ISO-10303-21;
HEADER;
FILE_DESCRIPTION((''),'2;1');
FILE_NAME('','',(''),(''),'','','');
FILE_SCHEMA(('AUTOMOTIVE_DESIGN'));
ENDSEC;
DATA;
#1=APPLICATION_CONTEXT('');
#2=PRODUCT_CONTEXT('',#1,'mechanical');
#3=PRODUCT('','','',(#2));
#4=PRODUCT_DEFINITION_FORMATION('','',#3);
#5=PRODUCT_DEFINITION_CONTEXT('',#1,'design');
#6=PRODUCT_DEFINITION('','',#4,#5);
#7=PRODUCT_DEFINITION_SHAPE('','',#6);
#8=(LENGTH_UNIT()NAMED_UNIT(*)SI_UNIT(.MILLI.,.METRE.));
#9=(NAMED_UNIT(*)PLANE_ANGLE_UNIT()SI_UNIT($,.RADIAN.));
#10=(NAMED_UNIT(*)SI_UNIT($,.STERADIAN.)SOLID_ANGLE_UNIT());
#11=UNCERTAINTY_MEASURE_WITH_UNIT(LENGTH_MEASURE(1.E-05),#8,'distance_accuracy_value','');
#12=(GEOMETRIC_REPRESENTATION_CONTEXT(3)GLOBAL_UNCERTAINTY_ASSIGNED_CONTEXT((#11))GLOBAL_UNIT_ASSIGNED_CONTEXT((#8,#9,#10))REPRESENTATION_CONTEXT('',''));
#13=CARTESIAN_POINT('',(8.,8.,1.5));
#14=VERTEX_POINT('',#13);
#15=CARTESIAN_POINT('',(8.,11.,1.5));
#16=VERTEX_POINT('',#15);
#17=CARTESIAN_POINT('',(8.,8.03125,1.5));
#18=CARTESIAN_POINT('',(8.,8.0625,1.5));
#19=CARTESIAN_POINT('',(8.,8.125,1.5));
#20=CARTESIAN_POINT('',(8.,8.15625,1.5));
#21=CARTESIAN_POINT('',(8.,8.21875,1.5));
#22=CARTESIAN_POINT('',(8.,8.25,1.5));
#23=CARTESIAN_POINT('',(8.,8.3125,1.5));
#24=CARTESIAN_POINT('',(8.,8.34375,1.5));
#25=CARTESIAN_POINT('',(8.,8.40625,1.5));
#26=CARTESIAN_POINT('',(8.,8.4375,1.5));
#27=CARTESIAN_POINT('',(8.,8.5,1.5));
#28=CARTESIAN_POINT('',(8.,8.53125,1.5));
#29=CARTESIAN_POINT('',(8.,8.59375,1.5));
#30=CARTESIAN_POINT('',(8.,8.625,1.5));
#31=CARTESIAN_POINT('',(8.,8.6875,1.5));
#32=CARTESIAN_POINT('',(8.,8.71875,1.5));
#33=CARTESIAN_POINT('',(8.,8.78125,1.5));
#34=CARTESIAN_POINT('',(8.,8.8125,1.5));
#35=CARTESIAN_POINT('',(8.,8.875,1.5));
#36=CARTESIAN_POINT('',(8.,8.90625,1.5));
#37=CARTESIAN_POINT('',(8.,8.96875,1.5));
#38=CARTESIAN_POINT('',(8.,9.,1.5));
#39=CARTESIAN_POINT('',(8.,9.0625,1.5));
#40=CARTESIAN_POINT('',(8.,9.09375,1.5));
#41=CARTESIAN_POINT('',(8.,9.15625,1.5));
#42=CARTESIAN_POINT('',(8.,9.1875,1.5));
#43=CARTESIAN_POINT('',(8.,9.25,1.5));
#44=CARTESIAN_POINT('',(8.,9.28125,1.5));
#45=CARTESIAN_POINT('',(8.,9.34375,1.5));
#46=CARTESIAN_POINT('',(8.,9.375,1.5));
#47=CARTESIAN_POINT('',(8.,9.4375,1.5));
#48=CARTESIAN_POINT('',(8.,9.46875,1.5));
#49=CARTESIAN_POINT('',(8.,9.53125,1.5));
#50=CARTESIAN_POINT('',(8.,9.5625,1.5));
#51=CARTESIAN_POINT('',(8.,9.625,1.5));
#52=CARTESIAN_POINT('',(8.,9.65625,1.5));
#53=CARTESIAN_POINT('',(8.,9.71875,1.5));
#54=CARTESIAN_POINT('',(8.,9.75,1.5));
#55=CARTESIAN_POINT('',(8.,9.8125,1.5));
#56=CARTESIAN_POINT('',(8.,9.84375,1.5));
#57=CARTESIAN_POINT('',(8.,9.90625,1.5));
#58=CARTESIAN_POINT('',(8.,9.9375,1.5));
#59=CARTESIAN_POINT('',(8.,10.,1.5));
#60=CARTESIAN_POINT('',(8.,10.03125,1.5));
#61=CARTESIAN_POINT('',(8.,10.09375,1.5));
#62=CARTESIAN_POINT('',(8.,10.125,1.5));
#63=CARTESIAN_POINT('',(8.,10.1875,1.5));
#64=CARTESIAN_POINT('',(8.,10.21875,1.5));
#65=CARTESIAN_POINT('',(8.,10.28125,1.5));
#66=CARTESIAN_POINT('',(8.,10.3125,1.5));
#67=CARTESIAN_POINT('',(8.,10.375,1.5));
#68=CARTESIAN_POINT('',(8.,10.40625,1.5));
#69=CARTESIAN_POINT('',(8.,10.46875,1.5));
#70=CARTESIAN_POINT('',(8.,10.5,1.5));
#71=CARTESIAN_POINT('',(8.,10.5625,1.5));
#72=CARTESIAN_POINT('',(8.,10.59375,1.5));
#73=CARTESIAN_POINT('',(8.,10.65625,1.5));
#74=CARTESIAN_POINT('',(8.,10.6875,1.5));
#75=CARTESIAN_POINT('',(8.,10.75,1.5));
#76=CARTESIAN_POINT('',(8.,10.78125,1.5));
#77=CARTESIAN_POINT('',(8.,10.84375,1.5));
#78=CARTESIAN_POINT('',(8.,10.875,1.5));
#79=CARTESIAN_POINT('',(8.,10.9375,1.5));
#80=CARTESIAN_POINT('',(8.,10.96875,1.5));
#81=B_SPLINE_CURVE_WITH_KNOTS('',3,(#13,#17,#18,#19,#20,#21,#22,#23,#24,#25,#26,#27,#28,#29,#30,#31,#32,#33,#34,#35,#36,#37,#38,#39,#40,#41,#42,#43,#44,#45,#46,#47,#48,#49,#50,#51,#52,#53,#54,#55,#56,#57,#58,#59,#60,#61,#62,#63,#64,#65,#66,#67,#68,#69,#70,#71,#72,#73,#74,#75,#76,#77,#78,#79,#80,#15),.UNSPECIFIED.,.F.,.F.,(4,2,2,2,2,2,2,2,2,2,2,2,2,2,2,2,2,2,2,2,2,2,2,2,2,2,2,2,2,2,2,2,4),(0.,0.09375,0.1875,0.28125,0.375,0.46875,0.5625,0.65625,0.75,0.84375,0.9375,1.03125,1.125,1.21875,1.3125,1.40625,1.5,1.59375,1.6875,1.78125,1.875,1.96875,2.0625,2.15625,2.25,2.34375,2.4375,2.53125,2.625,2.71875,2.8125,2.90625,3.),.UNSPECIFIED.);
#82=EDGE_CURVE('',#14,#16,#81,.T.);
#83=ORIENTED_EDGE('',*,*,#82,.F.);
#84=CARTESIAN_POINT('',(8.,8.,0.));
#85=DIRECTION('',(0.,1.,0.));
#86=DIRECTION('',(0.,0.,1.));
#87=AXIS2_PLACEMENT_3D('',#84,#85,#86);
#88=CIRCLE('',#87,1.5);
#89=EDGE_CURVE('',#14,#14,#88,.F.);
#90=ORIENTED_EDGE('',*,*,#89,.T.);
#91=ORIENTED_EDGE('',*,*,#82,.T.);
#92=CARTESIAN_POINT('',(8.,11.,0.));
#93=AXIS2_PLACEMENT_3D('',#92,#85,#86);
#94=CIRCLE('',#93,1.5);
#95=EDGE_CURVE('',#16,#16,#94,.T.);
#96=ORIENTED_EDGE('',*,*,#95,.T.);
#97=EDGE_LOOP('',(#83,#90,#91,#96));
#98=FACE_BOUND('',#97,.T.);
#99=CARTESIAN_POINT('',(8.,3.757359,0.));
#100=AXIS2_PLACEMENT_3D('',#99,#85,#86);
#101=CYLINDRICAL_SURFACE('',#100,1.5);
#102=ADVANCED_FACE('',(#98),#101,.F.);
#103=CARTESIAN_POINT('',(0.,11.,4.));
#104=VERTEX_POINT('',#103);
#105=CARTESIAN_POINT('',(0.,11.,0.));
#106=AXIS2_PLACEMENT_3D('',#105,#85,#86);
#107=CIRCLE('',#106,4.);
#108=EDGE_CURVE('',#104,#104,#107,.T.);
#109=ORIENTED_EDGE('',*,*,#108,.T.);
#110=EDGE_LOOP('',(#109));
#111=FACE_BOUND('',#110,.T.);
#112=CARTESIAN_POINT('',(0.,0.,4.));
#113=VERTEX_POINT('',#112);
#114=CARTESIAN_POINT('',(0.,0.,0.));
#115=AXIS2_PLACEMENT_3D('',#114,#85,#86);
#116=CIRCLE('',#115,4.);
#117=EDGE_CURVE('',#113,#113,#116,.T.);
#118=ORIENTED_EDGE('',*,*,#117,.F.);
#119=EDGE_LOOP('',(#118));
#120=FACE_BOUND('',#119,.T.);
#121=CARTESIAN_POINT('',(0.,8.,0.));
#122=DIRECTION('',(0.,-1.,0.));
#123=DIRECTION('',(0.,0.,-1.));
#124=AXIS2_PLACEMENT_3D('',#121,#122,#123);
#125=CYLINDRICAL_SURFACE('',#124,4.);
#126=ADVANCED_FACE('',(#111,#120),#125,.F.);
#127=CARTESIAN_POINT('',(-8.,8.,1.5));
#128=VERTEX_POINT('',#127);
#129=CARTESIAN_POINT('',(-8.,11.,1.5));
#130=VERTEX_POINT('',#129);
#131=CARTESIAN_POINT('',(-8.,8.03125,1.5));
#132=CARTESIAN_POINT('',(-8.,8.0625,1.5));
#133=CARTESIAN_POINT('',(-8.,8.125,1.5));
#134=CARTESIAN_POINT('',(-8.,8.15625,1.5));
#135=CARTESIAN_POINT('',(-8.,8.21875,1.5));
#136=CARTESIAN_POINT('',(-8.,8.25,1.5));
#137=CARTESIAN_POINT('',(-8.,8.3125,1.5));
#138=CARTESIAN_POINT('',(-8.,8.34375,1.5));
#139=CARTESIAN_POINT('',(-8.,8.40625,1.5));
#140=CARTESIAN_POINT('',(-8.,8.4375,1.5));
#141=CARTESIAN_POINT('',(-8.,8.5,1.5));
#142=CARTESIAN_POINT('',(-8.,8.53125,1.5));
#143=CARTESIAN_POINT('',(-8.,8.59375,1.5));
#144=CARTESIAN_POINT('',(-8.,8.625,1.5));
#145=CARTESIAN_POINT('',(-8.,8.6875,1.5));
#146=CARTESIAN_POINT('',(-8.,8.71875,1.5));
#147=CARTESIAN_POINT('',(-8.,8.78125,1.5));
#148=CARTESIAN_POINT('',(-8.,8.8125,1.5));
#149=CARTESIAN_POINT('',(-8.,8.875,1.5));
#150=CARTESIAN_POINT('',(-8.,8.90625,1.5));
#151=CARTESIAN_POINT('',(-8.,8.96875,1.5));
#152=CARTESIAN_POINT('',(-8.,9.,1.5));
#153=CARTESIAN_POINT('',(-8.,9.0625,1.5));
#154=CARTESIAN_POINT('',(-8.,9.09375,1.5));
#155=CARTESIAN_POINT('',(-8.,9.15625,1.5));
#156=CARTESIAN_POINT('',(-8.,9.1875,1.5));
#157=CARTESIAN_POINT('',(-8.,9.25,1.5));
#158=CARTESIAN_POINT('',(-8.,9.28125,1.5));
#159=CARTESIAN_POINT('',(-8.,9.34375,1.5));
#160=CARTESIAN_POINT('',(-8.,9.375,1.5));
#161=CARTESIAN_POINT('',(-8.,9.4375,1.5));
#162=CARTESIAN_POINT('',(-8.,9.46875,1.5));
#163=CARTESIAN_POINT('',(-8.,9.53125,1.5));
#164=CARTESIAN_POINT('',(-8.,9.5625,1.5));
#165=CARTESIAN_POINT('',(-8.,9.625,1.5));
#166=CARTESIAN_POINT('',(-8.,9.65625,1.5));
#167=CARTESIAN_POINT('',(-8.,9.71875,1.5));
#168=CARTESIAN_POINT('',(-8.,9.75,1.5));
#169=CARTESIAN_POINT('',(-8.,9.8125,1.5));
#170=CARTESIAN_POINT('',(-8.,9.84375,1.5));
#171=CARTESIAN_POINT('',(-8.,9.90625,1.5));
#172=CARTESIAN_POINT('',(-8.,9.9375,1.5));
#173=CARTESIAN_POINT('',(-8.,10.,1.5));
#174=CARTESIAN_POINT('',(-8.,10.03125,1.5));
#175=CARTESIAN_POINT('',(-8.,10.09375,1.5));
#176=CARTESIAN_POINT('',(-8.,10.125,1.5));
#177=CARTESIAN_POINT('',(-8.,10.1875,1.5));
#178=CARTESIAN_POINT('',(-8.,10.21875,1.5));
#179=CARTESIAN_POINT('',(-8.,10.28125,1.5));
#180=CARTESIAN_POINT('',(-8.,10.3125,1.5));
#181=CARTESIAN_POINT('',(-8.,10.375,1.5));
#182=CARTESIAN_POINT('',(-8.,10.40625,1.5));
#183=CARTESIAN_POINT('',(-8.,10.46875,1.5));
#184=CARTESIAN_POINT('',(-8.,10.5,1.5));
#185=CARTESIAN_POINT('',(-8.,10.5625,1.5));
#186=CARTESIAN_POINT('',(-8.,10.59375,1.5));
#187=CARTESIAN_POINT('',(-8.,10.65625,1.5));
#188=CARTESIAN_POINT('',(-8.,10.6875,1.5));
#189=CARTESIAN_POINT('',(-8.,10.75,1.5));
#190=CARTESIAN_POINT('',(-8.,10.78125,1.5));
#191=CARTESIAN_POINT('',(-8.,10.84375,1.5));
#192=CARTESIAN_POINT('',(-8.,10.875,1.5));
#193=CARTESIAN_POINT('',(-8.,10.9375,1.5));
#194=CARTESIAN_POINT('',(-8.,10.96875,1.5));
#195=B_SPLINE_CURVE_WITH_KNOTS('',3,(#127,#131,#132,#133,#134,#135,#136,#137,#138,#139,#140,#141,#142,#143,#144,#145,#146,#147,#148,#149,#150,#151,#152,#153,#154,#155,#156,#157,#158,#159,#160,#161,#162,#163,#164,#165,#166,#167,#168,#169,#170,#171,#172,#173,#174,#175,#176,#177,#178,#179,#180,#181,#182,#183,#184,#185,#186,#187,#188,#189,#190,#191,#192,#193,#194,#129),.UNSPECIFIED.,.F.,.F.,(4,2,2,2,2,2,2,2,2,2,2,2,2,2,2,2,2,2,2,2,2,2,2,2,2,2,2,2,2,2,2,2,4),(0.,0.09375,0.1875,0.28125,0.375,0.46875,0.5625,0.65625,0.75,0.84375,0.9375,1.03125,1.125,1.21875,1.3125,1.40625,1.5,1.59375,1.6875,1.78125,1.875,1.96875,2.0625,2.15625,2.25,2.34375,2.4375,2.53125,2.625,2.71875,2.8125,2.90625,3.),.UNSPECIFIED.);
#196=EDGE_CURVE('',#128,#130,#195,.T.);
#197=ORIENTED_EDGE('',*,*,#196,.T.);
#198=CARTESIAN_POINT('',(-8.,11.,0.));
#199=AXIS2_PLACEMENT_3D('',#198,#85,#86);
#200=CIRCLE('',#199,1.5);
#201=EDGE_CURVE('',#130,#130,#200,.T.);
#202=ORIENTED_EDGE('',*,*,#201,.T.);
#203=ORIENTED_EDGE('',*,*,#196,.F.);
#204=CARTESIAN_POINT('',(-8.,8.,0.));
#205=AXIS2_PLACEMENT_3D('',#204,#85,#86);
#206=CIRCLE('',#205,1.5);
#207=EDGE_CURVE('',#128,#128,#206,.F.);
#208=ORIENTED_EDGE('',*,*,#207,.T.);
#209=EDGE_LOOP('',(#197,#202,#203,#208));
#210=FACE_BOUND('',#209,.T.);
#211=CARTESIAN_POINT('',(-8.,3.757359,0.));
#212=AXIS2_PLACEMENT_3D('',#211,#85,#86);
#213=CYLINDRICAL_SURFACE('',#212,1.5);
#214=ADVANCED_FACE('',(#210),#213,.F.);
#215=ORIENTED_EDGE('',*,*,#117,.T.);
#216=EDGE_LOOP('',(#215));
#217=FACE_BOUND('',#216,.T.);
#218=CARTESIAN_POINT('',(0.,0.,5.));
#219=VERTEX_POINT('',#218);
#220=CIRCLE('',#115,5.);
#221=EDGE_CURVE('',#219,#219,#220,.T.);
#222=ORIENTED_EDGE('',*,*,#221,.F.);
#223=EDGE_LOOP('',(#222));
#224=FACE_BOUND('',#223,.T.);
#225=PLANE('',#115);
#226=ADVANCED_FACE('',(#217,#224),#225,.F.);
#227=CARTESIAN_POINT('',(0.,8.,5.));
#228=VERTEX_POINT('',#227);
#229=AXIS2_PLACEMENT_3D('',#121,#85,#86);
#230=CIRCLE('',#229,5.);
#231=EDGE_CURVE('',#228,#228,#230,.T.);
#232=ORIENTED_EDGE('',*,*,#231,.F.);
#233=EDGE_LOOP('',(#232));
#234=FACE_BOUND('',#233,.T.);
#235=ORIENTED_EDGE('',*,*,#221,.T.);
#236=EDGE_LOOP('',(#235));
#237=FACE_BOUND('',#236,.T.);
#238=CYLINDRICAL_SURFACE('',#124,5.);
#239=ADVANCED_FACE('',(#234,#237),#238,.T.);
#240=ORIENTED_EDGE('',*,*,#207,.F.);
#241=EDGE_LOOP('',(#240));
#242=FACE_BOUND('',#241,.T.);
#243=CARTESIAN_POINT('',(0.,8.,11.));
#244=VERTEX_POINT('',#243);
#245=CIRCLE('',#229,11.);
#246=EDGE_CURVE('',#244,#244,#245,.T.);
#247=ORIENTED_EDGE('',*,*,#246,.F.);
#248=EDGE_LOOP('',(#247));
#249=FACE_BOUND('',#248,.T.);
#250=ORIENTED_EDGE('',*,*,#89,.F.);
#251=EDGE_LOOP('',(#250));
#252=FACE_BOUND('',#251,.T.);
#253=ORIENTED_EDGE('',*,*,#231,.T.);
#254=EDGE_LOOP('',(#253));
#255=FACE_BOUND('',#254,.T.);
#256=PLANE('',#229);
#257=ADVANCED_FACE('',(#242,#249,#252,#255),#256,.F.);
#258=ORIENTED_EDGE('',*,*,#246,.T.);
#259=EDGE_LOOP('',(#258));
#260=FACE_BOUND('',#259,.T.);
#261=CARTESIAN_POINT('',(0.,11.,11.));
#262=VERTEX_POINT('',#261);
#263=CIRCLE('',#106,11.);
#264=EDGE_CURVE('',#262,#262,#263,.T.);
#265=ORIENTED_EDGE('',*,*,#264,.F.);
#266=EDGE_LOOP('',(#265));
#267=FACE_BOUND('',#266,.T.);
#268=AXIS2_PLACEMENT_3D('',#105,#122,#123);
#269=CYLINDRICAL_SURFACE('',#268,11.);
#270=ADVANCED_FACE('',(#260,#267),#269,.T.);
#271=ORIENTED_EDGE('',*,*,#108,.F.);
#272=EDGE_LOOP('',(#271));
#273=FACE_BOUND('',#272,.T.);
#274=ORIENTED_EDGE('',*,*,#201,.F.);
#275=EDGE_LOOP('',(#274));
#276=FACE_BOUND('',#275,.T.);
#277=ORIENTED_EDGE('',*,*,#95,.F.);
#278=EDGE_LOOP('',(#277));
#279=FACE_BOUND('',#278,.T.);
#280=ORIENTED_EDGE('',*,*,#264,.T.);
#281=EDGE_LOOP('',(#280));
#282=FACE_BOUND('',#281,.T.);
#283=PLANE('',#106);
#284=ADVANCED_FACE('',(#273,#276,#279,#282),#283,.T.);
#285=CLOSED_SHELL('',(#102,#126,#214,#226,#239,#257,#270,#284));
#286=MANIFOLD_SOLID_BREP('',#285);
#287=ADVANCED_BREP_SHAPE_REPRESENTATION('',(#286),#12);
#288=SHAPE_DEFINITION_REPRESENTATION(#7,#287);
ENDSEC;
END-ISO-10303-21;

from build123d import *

# Parameters (mm, degrees)
SKICA1_R                 = 5
SKICA1_R_2               = 4
P_IDAT_VYSUNUT_M1_DEPTH  = 8
SKICA2_R                 = 11
SKICA2_R_2               = 4
P_IDAT_VYSUNUT_M2_DEPTH  = 3
SKICA3_R                 = 1.5
ODEBRAT_VYSUNUT_M3_DEPTH = 3


with BuildPart() as part:
    # Skica1 → Přidat vysunutím1 (new body)
    with BuildSketch(Plane(origin=(0, 0, 0), x_dir=(1, 0, 0), z_dir=(0, 1, 0))):
        with Locations(Location((0, 0, 0), (0, 0, 270))):
            Circle(SKICA1_R)
        with Locations(Location((0, 0, 0), (0, 0, 270))):
            Circle(SKICA1_R_2, mode=Mode.SUBTRACT)
    extrude(amount=P_IDAT_VYSUNUT_M1_DEPTH)

    # Skica2 → Přidat vysunutím2 (add)
    with BuildSketch(Plane(origin=(0, 8, 0), x_dir=(1, 0, 0), z_dir=(0, 1, 0))):
        with Locations(Location((0, 0, 0), (0, 0, 270))):
            Circle(SKICA2_R)
        with Locations(Location((0, 0, 0), (0, 0, 270))):
            Circle(SKICA2_R_2, mode=Mode.SUBTRACT)
    extrude(amount=P_IDAT_VYSUNUT_M2_DEPTH)

    # Skica3 → Odebrat vysunutím3 (cut)
    with BuildSketch(Plane(origin=(0, 11, 0), x_dir=(1, 0, 0), z_dir=(0, 1, 0))):
        with Locations(Location((8, 0, 0), (0, 0, 270))):
            Circle(SKICA3_R)
        with Locations(Location((-8, 0, 0), (0, 0, 270))):
            Circle(SKICA3_R)
    extrude(amount=-ODEBRAT_VYSUNUT_M3_DEPTH, mode=Mode.SUBTRACT)


solid = part.part
